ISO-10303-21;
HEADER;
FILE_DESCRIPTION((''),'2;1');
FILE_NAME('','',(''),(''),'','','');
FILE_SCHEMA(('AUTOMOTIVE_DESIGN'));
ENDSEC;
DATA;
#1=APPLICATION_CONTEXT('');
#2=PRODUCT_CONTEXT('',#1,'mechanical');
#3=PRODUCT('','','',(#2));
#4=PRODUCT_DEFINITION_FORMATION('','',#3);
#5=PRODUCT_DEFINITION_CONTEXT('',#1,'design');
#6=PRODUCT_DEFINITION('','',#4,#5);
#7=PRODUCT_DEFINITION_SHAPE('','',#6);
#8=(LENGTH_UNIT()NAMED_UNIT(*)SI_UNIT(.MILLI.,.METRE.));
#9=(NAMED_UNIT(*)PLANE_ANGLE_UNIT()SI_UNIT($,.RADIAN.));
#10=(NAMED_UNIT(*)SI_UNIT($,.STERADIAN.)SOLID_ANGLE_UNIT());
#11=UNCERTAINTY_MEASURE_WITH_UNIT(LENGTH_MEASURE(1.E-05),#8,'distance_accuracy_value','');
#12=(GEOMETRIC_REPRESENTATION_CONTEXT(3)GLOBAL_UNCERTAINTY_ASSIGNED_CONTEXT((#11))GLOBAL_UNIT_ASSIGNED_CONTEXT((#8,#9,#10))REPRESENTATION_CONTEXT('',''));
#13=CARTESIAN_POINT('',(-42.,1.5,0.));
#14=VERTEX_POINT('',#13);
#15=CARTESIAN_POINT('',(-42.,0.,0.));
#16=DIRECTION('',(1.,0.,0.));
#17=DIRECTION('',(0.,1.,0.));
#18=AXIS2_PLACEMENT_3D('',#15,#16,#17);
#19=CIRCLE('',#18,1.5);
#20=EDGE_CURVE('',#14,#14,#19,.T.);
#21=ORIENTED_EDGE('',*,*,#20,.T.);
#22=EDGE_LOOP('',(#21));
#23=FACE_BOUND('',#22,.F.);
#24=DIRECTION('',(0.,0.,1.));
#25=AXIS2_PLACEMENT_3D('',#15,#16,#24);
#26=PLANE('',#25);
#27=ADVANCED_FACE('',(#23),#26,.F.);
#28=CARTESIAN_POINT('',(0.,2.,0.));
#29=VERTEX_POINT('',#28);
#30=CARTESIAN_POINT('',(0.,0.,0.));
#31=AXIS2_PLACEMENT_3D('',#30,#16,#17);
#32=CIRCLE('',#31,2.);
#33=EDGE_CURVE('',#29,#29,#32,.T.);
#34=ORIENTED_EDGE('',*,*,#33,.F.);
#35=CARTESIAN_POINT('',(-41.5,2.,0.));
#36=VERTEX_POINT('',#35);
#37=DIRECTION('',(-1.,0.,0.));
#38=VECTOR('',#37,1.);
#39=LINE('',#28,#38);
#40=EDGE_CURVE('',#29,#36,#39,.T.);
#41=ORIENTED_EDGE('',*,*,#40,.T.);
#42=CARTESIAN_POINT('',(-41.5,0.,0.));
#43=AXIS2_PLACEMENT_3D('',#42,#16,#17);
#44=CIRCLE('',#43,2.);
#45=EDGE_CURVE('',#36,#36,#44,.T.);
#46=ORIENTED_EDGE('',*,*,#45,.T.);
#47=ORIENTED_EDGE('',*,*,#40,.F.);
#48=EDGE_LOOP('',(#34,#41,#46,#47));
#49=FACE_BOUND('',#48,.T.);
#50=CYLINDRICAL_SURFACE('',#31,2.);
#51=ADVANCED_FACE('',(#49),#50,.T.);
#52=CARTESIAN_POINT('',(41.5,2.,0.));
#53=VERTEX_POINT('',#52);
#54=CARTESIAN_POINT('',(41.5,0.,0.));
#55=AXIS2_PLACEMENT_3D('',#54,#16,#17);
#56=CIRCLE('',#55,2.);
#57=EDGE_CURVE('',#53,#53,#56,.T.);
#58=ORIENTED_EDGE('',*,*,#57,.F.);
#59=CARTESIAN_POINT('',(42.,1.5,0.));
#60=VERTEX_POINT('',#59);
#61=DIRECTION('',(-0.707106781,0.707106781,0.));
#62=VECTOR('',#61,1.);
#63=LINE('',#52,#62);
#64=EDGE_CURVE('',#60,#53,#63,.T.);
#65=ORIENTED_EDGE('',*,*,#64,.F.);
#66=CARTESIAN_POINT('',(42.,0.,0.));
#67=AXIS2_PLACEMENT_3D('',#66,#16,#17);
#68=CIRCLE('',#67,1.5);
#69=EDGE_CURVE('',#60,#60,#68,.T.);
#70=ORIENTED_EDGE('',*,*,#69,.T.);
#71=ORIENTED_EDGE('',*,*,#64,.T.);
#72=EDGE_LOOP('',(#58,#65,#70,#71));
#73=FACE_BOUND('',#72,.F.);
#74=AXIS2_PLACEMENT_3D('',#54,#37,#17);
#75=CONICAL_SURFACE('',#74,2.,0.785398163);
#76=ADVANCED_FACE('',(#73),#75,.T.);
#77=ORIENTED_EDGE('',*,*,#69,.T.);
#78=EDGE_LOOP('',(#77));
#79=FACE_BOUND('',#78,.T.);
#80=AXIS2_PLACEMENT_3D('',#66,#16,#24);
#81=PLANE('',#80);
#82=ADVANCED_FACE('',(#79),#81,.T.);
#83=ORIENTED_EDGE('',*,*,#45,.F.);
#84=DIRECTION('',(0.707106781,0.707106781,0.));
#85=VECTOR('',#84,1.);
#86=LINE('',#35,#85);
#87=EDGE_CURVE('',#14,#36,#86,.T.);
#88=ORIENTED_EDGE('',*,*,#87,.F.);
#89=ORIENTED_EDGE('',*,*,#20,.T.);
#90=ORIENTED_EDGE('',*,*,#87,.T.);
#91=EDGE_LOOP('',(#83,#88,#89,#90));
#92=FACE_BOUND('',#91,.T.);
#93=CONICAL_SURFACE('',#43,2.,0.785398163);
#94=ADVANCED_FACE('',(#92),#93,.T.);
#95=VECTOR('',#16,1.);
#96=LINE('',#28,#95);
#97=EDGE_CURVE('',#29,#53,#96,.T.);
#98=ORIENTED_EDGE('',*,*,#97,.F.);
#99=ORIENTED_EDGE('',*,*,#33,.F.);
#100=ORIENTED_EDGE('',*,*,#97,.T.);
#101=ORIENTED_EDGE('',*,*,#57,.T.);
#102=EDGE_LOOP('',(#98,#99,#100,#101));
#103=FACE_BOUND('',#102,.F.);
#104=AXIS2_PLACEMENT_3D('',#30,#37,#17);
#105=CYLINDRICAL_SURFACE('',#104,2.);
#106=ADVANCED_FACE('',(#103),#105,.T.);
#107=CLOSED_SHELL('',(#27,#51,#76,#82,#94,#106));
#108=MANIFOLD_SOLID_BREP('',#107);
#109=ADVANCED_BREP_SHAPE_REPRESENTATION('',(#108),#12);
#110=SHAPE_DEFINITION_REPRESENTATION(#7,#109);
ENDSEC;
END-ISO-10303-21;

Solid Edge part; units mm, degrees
sketch "Sketch1" plane through (0, 0, 0) normal (1, 0, 0) x (0, 1, 0)
  circle A0 centre (0, 0) radius 2
extrude "Protrusion1" add sketch "Sketch1" along normal mid plane 84
cosmetic_thread "Thread_1" size "M4" thread depth 8
cosmetic_thread "Thread_2" size "M4" thread depth 8
chamfer "Chamfer_1" distance 0.5 angle 45 1 edges at (-42, -2, 0) measured on face at (-42, 1.2933, -1.3733)
chamfer "Chamfer_2" distance 0.5 angle 45 1 edges at (42, -2, 0) measured on face at (42, 1.2933, -1.3733)
